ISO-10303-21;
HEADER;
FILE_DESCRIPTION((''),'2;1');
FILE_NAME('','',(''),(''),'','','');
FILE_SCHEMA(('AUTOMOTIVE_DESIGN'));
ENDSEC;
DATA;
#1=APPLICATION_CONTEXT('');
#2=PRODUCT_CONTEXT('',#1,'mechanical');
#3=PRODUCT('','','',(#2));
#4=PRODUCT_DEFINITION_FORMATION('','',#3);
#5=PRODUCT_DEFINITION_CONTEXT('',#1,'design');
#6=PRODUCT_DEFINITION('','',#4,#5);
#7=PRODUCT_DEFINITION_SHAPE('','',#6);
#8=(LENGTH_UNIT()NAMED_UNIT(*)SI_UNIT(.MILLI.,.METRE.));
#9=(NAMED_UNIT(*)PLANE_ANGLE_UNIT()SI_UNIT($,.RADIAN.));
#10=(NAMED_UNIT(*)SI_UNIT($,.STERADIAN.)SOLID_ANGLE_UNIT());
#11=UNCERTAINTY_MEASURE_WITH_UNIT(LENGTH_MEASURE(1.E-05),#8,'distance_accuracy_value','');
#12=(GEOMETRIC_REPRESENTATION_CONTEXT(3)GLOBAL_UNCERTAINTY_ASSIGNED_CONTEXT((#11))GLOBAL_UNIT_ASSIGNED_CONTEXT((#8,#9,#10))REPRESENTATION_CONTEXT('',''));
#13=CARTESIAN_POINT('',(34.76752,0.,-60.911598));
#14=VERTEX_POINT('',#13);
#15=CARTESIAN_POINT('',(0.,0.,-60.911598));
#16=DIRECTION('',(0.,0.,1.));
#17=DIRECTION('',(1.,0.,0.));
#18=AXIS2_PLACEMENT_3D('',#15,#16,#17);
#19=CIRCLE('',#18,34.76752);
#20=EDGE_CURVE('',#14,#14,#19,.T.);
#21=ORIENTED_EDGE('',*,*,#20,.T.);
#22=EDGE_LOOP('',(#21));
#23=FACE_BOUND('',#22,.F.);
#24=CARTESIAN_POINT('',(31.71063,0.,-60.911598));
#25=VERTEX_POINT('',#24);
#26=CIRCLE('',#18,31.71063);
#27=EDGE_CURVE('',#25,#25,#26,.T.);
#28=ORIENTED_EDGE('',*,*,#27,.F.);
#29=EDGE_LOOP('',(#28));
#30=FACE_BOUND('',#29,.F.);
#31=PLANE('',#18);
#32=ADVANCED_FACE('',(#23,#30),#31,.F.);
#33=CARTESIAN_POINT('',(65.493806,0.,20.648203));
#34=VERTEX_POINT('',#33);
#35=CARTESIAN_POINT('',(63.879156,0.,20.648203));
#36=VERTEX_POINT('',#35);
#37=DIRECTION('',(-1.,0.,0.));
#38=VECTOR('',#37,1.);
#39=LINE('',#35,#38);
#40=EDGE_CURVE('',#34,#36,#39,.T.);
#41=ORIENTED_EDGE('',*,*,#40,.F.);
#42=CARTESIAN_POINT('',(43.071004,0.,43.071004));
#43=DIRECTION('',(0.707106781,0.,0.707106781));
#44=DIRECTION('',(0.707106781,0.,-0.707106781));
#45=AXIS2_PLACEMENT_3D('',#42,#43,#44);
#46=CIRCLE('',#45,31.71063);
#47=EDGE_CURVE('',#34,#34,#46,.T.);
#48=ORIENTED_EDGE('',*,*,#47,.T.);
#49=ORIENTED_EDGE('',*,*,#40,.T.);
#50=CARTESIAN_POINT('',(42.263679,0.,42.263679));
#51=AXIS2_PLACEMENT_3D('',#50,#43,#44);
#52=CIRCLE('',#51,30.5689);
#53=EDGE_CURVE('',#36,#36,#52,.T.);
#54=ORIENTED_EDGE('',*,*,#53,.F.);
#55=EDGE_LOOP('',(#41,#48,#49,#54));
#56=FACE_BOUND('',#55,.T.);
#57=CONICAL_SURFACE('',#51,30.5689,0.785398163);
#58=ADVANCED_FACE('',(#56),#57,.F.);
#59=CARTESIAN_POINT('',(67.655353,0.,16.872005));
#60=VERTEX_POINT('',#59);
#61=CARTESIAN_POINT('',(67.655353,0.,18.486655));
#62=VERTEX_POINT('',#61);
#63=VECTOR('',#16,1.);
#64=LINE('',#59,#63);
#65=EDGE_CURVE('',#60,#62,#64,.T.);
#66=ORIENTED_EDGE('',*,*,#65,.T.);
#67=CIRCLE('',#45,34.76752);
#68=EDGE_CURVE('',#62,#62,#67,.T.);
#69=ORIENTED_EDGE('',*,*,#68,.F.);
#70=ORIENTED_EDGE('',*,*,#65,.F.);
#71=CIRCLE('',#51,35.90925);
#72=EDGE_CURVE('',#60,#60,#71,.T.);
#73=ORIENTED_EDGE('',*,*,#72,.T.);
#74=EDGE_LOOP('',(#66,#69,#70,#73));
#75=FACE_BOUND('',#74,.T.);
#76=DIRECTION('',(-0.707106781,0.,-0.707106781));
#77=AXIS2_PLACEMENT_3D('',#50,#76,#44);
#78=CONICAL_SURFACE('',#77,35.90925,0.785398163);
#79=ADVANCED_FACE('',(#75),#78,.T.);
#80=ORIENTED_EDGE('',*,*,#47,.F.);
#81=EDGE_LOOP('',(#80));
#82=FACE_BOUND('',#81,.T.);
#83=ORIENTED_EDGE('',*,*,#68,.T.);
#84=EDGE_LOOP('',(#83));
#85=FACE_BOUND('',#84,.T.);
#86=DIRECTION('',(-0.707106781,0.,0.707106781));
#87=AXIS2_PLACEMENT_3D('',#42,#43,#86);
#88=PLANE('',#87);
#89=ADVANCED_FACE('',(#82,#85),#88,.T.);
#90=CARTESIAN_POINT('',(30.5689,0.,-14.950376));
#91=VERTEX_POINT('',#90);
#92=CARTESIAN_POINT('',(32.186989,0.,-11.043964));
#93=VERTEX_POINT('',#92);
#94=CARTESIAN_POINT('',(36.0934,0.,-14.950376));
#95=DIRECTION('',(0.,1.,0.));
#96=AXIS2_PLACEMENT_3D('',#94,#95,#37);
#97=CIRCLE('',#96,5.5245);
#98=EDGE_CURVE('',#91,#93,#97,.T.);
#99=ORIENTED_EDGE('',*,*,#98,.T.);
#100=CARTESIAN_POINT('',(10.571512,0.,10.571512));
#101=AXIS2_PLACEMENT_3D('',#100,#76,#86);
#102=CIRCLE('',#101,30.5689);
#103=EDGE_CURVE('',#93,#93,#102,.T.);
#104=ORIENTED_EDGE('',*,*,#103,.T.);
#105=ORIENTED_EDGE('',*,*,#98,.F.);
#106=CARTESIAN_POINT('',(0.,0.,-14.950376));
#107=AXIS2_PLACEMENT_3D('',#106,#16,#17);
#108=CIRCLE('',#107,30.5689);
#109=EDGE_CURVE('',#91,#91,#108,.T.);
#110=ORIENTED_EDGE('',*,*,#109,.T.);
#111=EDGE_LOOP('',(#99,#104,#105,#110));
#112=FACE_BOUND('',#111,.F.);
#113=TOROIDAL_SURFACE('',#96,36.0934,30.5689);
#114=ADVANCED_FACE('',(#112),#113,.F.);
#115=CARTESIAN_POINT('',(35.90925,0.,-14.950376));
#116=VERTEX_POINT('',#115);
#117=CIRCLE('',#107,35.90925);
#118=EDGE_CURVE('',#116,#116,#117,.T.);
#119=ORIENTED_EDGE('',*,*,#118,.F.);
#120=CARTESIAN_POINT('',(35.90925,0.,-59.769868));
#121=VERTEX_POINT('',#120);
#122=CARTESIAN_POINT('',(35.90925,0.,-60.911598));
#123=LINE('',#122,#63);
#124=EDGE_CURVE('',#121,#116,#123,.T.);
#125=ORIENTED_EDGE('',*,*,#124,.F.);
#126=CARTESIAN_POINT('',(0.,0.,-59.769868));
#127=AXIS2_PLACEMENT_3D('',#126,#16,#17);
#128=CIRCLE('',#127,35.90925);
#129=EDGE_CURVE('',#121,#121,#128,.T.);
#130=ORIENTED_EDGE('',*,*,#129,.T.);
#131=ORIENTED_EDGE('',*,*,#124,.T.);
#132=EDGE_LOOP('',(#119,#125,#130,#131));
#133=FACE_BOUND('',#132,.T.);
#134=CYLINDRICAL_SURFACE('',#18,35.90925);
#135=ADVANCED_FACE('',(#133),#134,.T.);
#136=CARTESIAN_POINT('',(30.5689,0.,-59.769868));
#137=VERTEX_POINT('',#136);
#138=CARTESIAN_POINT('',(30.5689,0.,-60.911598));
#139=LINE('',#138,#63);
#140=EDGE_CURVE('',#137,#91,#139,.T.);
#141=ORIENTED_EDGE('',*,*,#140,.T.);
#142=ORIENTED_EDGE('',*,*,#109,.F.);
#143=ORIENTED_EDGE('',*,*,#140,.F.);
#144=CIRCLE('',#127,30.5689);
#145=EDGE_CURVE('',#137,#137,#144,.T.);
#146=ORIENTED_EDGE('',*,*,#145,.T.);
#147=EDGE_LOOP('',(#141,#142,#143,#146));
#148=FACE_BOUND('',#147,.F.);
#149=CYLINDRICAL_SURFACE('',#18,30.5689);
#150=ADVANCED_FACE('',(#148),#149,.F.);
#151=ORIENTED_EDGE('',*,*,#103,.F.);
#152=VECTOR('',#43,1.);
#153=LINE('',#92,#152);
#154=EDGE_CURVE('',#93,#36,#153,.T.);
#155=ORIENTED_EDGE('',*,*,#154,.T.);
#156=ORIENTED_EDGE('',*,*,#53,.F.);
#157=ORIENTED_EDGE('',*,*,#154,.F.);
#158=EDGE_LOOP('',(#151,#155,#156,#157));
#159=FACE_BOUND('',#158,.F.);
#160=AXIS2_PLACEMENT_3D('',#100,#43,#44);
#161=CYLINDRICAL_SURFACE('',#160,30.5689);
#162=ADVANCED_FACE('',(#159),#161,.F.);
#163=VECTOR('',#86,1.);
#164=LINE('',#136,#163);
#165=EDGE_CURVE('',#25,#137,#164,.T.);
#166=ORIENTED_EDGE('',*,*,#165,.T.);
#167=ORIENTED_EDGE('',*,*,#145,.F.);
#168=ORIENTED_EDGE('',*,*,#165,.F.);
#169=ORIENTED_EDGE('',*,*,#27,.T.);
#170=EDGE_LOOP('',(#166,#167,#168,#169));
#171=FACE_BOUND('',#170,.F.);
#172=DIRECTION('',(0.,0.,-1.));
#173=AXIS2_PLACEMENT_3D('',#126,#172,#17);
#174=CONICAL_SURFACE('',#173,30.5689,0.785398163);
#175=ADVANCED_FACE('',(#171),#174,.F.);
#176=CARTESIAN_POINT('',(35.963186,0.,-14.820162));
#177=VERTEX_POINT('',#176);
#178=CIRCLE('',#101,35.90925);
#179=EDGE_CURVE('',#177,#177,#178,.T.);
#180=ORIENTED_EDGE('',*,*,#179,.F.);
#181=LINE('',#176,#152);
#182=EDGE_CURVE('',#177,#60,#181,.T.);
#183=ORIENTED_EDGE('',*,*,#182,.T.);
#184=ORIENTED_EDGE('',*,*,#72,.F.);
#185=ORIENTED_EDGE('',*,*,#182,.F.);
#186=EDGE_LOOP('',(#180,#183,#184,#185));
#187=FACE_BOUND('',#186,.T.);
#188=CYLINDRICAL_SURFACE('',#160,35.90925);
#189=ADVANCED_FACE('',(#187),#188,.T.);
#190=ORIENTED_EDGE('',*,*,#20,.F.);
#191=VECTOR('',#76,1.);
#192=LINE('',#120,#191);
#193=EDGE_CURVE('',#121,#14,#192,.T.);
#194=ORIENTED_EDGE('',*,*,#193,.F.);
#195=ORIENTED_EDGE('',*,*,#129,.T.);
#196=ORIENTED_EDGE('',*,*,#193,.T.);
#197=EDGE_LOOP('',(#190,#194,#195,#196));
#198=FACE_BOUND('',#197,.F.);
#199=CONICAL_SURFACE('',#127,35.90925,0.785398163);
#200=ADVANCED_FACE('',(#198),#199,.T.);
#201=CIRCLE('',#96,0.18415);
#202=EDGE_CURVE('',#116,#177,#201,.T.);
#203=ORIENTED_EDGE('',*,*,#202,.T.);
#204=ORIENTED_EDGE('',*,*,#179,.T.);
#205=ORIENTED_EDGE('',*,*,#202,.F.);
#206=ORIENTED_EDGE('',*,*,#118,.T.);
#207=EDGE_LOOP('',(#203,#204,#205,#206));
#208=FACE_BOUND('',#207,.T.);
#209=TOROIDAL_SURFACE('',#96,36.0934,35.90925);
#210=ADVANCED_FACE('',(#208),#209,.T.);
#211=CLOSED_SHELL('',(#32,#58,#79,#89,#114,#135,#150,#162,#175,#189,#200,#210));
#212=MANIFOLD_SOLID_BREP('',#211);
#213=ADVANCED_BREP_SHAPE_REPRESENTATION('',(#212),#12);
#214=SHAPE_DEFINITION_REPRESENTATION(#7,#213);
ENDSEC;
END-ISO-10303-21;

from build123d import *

# Parameters (mm, degrees)
F2_R     = 24.765
F2_R_2   = 21.082
F4_SIZE  = 0.7874
F5_SCALE = 1.45


with BuildPart() as f3:
    # F3: sweep along a path in F0
    with BuildLine(Plane.XZ) as f3_path:
        Line((0, -42.0079988722), (0, -10.3106039946))
        ThreePointArc((0, -10.3106039946), (1.8947906767, -0.7848479962), (7.2906980027, 7.2906980027))
        Line((7.2906980027, 7.2906980027), (29.7041408666, 29.7041408666))
    # F2 (on plane+point) → F3 (sweep)
    with BuildSketch(Plane.XY.offset(-42.0079988722)):
        Circle(F2_R)
        Circle(F2_R_2, mode=Mode.SUBTRACT)
    sweep(path=f3_path.line)

    # F4
    f4_edges = [f3.edges().sort_by_distance(p)[0] for p in [
        (12.192641, 0, 47.21564),
        (14.796916, 0, 44.611366),
        (-21.082, 0, -42.007999),
        (-24.765, 0, -42.007999),
    ]]
    chamfer(f4_edges, length=F4_SIZE)


with BuildPart() as f3_1:
    # F5: moved
    add(f3.part.scale(F5_SCALE))


solid = f3_1.part
